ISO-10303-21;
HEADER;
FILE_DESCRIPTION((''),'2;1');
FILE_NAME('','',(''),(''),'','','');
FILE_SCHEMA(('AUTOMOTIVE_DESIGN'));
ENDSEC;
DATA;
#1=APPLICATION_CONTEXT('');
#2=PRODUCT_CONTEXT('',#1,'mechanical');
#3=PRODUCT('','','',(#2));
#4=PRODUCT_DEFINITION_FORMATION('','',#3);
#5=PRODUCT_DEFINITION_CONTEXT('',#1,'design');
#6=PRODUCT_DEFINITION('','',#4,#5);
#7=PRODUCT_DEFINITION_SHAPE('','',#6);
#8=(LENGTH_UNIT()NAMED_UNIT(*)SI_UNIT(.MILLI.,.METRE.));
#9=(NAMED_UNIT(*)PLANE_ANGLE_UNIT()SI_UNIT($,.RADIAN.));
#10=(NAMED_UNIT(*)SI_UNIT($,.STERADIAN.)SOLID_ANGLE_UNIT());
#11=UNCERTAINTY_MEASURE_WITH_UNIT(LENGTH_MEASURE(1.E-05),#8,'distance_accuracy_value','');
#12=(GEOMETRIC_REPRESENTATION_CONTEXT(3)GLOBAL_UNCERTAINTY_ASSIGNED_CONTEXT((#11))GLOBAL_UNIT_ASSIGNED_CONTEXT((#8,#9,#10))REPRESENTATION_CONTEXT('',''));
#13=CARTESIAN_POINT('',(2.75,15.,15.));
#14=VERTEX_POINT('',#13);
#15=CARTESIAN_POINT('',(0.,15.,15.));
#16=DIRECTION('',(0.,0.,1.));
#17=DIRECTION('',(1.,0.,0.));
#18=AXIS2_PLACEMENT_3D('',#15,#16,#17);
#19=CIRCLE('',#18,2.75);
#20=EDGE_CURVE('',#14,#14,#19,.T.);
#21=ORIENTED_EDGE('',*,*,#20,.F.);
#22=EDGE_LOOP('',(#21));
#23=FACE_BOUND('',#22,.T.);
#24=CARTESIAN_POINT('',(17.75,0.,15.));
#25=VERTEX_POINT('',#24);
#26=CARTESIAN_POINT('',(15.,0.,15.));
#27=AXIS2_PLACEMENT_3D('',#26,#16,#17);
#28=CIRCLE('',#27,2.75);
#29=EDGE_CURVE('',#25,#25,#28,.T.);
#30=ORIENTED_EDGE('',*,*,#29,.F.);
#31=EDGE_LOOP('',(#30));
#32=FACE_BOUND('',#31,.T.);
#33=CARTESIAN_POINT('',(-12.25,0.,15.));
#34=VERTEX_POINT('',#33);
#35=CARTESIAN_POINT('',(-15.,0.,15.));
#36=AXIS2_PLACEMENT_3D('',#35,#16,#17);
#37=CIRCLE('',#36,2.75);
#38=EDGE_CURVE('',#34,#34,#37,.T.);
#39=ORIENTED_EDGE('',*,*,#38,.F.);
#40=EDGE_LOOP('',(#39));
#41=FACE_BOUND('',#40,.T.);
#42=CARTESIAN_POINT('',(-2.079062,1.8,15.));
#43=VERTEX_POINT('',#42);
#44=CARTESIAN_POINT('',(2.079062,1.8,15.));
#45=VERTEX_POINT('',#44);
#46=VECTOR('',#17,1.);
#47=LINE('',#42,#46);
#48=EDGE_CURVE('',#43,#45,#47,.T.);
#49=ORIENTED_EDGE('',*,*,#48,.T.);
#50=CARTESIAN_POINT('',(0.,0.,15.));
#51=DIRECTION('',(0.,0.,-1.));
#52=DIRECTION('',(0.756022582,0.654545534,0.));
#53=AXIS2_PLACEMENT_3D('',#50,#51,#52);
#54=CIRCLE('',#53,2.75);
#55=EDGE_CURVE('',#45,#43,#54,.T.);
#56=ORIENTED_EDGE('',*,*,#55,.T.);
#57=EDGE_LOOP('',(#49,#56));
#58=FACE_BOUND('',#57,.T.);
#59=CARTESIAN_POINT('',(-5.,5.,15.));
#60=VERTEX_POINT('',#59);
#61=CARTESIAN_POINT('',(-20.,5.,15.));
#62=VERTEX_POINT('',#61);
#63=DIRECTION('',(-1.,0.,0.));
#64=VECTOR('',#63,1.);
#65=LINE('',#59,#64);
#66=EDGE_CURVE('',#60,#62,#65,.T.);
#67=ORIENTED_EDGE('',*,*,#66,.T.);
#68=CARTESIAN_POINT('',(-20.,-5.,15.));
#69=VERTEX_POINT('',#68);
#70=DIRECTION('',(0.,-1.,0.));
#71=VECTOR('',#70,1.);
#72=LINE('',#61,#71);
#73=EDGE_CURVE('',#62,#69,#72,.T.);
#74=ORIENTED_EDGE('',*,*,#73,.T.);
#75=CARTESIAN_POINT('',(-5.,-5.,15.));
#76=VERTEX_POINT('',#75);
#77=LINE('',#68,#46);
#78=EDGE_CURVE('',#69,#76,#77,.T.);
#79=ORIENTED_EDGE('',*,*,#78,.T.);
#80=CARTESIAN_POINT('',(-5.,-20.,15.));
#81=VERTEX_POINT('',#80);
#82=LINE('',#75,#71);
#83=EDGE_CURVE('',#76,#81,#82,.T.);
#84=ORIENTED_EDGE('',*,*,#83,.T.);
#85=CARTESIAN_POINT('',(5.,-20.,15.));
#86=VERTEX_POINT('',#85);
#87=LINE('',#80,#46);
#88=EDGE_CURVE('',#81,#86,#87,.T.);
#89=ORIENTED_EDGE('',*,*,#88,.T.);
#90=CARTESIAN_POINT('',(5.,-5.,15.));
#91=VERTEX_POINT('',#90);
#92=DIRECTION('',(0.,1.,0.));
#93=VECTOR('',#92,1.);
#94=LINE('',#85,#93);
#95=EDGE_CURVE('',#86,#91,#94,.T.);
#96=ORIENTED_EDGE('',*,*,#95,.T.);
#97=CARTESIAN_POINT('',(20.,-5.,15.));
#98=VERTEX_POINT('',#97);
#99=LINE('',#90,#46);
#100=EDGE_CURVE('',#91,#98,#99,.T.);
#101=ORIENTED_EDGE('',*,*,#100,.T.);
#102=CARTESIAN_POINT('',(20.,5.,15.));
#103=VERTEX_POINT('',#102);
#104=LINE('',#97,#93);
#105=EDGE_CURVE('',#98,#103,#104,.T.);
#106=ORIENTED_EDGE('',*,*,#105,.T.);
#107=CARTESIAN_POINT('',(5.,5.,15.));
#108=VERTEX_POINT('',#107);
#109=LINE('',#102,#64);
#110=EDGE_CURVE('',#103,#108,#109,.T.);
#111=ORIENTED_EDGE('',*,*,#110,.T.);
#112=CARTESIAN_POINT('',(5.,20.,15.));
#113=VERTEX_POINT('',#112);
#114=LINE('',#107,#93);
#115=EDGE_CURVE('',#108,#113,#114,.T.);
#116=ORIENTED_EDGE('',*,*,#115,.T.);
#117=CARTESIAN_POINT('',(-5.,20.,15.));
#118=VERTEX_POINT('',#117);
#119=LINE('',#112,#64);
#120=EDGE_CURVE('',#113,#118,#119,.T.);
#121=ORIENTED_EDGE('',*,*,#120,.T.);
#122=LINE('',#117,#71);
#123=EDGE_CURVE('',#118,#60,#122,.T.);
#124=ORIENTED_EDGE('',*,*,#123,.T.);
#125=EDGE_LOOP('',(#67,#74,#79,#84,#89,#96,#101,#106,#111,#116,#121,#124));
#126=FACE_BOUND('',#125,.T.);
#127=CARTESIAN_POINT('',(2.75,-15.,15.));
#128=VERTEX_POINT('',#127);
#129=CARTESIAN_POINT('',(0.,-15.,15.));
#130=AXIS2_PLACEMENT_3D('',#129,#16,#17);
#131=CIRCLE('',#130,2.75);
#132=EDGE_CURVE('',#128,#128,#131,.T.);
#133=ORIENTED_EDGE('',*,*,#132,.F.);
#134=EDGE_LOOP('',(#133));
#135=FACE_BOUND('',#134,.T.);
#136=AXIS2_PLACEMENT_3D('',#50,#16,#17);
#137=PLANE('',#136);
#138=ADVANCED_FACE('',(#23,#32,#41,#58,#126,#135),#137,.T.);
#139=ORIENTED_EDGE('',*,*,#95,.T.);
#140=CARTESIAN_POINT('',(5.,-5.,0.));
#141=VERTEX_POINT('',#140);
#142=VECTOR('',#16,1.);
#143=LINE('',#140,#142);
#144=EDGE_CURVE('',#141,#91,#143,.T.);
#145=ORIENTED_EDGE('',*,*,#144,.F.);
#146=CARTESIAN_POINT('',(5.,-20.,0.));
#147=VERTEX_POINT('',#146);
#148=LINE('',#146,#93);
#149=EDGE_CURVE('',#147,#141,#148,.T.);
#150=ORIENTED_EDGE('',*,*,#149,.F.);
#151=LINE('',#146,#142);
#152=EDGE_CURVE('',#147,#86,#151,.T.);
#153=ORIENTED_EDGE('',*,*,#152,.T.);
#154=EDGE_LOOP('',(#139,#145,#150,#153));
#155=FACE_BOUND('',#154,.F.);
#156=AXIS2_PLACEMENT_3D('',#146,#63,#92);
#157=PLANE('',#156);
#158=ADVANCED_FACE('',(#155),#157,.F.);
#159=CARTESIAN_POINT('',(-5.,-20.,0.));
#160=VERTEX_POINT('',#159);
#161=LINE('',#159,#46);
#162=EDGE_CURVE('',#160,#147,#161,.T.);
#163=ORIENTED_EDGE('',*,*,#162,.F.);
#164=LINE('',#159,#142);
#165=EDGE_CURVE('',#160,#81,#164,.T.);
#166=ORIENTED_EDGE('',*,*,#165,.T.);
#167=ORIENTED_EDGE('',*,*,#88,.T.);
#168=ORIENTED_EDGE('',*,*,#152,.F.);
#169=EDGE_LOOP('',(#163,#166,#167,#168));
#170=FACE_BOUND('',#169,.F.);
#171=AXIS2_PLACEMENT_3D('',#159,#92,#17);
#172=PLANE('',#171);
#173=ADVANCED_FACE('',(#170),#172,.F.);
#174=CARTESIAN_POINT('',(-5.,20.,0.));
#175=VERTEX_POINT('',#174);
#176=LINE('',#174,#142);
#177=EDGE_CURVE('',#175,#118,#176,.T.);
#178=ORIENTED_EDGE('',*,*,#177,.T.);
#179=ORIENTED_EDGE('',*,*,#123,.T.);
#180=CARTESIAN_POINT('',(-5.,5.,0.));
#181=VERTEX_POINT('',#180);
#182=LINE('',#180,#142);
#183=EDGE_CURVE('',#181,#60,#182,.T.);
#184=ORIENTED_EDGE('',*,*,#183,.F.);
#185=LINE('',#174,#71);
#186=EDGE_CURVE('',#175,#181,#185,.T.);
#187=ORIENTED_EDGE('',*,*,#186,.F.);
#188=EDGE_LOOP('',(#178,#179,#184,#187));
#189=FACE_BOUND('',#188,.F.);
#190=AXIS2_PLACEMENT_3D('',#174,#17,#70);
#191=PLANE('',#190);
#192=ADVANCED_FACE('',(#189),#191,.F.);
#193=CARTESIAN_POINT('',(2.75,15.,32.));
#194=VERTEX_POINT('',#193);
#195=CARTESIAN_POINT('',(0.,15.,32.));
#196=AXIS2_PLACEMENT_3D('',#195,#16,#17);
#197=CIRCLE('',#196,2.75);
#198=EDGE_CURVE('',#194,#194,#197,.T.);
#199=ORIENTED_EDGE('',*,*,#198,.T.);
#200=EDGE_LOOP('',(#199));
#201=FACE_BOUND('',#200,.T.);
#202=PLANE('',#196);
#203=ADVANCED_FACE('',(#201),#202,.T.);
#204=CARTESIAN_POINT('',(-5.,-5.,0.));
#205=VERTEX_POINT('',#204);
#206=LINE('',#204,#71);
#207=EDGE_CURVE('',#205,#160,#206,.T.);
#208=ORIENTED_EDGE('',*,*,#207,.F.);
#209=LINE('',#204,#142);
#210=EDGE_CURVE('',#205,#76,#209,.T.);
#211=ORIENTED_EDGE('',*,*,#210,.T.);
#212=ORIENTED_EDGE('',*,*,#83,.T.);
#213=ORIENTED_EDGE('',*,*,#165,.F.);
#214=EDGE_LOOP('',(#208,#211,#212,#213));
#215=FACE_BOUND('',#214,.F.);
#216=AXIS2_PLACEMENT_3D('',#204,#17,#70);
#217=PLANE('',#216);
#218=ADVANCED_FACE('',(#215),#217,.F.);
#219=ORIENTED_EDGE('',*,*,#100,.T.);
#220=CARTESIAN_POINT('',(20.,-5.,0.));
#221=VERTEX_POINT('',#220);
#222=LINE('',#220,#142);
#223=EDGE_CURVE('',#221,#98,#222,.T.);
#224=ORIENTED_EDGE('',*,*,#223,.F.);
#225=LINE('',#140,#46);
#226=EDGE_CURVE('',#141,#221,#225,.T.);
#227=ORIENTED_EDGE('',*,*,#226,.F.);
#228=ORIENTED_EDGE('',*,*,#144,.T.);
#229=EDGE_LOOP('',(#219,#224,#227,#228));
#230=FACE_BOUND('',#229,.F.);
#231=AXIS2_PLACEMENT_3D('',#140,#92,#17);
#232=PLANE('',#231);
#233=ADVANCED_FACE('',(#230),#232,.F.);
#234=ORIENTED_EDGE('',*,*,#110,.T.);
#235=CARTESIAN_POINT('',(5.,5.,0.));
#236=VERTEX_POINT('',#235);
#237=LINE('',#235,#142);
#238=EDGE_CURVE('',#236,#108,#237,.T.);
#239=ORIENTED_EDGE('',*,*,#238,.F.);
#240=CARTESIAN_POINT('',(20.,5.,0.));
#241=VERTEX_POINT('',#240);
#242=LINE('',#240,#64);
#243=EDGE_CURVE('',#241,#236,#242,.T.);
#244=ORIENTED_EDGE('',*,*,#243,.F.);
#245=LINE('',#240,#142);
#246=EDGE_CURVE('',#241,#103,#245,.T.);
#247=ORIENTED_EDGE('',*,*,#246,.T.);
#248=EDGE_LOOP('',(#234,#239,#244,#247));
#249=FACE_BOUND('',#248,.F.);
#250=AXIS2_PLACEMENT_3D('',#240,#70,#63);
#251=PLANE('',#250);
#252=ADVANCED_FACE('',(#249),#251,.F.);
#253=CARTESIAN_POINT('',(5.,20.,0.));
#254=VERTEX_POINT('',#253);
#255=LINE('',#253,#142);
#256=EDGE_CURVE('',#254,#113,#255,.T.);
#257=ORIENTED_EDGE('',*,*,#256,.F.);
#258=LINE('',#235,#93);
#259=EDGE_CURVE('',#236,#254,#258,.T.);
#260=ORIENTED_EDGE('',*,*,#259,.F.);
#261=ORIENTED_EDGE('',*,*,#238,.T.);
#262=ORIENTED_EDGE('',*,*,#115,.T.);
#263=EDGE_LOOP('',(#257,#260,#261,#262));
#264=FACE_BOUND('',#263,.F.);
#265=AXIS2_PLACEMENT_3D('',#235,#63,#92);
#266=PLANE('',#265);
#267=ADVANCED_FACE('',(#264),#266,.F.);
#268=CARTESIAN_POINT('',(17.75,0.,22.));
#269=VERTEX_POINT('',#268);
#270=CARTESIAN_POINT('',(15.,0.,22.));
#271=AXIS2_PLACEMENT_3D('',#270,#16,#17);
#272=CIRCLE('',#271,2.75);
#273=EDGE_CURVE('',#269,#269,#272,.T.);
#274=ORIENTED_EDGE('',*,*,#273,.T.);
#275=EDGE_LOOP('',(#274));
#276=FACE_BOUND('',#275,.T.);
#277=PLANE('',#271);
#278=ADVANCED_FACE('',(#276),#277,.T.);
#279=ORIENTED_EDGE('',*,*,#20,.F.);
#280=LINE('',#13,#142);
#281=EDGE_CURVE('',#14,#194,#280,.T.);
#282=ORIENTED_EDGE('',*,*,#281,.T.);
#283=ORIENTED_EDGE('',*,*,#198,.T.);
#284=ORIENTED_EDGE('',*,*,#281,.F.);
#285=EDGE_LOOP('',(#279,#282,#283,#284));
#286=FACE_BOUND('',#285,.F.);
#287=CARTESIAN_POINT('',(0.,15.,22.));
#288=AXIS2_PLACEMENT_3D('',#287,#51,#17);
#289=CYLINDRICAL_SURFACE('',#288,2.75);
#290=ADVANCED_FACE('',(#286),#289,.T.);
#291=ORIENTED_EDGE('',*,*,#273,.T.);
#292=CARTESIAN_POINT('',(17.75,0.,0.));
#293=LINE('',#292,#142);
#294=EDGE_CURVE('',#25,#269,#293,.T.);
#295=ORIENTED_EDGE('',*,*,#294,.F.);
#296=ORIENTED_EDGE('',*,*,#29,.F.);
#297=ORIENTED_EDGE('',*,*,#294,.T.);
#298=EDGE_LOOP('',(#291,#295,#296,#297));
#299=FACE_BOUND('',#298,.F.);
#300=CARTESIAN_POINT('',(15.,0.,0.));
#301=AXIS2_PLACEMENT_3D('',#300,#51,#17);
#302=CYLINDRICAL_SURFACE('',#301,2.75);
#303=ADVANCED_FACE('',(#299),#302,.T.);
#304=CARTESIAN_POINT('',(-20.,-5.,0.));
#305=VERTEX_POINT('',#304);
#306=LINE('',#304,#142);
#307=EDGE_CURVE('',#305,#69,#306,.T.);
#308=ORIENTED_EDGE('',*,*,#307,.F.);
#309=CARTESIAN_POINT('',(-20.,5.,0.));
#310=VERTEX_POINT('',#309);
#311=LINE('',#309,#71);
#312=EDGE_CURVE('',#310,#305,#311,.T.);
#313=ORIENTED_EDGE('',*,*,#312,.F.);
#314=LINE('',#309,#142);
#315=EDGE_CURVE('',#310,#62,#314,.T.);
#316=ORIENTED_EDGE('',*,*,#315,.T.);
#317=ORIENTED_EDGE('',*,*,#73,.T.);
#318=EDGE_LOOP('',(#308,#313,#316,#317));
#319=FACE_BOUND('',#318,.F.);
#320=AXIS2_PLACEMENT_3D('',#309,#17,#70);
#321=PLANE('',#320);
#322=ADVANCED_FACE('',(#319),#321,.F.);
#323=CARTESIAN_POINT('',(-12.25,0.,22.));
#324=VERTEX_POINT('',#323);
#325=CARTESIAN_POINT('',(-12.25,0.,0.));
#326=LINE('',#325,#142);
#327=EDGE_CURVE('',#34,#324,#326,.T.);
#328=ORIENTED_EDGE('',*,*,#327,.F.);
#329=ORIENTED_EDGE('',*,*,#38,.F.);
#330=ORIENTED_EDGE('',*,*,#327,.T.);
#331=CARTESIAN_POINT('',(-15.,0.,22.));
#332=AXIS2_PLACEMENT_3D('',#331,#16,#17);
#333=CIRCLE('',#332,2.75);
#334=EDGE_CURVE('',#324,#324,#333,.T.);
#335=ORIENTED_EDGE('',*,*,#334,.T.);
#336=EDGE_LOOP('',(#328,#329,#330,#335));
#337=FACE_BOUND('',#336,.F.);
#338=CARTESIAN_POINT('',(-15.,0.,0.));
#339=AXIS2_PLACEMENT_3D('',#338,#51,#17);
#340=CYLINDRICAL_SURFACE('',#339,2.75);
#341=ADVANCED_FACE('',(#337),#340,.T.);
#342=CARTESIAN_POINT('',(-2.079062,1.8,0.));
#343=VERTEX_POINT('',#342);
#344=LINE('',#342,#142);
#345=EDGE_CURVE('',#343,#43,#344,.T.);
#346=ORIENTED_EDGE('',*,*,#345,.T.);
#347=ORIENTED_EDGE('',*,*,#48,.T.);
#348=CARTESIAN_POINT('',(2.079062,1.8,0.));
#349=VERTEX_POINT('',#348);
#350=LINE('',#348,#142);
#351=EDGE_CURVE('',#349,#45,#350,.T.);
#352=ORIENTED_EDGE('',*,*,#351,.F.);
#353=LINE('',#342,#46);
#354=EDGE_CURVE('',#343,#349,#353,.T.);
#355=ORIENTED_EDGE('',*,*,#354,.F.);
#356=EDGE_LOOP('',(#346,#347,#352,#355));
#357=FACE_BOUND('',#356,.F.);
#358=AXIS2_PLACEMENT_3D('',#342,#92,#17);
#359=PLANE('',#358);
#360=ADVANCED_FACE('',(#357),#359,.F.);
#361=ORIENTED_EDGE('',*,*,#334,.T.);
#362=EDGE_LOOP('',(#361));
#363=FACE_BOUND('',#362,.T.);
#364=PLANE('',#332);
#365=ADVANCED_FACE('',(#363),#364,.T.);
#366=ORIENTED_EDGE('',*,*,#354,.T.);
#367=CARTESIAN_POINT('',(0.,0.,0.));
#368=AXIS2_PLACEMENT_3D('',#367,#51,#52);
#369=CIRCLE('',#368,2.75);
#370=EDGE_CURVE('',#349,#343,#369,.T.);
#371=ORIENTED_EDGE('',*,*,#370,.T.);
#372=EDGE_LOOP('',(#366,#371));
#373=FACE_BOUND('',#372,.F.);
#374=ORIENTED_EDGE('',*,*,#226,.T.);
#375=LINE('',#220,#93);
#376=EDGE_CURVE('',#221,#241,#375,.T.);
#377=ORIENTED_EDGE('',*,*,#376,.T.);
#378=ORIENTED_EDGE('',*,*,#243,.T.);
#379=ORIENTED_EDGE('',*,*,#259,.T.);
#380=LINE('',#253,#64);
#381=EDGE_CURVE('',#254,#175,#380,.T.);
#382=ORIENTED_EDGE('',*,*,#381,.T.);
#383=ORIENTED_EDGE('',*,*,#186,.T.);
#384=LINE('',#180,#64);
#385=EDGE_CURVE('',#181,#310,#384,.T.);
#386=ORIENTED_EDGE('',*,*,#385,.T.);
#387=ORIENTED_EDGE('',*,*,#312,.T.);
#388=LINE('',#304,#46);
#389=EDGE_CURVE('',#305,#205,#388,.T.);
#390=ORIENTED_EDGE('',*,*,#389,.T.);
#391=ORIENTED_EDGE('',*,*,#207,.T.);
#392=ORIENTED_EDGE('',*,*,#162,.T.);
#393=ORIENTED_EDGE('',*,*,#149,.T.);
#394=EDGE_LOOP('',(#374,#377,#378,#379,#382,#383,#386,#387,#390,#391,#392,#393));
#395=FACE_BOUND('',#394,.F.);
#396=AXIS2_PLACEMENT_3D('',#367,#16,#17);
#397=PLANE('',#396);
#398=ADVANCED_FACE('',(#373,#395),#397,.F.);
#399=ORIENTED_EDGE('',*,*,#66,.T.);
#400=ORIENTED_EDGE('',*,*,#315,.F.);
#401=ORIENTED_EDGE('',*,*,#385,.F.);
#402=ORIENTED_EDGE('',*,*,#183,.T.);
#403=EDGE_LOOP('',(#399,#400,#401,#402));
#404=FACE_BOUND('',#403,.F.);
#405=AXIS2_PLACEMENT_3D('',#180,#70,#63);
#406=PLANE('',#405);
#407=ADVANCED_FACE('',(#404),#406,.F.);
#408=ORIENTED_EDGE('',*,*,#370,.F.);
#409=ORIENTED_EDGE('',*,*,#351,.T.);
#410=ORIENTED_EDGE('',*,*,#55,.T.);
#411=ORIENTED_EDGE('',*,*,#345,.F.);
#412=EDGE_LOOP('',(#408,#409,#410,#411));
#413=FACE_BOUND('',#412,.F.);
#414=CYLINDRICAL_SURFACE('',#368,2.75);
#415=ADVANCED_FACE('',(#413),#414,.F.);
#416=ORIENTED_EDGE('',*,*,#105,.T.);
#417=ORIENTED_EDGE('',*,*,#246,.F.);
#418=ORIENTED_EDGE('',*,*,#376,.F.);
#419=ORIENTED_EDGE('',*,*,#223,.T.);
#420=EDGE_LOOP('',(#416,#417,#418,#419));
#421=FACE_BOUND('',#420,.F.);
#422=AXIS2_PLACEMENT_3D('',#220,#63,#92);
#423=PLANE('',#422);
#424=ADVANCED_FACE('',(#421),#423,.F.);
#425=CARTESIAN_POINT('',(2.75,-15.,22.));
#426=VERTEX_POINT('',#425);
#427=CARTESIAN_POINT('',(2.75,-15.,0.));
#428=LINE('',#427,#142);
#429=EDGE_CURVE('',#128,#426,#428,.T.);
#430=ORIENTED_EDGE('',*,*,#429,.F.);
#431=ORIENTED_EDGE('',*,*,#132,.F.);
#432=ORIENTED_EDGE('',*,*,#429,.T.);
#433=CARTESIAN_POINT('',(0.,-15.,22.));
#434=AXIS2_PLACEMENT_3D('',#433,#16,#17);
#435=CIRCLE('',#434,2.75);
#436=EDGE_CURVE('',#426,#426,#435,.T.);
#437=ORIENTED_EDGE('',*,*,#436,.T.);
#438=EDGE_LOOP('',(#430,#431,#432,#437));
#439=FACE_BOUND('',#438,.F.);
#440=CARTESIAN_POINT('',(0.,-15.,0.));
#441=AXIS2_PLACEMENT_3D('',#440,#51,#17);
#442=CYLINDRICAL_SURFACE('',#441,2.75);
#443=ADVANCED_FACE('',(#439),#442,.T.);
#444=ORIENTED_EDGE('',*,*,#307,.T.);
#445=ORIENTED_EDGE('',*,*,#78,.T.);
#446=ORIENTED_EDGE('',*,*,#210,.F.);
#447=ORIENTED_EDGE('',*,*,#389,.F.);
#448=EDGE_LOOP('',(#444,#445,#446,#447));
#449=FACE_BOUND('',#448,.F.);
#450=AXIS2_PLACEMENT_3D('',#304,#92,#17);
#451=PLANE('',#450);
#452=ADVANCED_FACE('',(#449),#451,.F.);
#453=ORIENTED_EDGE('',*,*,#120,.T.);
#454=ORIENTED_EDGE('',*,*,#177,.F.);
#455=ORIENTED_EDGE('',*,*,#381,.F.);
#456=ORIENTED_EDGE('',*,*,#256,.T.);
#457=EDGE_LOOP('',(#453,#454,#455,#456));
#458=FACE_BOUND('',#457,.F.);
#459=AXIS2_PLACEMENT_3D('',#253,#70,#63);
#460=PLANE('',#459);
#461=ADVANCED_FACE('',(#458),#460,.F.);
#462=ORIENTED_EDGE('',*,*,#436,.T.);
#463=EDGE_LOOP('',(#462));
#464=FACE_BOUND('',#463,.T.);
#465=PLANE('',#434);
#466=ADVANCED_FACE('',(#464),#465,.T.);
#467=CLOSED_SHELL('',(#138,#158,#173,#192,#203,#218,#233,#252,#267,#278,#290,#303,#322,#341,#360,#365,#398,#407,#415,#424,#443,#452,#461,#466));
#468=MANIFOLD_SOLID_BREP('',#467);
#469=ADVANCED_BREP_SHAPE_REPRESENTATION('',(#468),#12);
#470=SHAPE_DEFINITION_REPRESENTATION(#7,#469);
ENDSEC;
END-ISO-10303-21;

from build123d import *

# Parameters (mm, degrees)
F0_R     = 2.75
F1_DEPTH = 15
F2_R     = 2.75
F3_DEPTH = 22
F4_R     = 2.75
F5_DEPTH = 10


with BuildPart() as f1:
    # F0 (on Top) → F1 (new body)
    with BuildSketch(Plane.XY):
        Polygon((20, -5), (20, 5), (5, 5), (5, 20), (-5, 20), (-5, 5), (-20, 5), (-20, -5), (-5, -5), (-5, -20), (5, -20), (5, -5), align=None)
        with Locations((0, -15)):
            Circle(F0_R, mode=Mode.SUBTRACT)
        with BuildLine():
            ThreePointArc((2.079062, 1.8), (0, -2.75), (-2.079062, 1.8))
            Line((-2.079062, 1.8), (2.079062, 1.8))
        make_face(mode=Mode.SUBTRACT)
        with Locations((-15, 0)):
            Circle(F0_R, mode=Mode.SUBTRACT)
        with Locations((15, 0)):
            Circle(F0_R, mode=Mode.SUBTRACT)
        with Locations((0, 15)):
            Circle(F0_R, mode=Mode.SUBTRACT)
    extrude(amount=F1_DEPTH)

    # F2 (on Top) → F3 (join)
    with BuildSketch(Plane.XY):
        with Locations((0, 15)):
            Circle(F2_R)
        with Locations((15, 0)):
            Circle(F2_R)
        with Locations((0, -15)):
            Circle(F2_R)
        with Locations((-15, 0)):
            Circle(F2_R)
    extrude(amount=F3_DEPTH)

    # F4 (on face) → F5 (join)
    with BuildSketch(Plane.XY.offset(22)):
        with Locations((0, 15)):
            Circle(F4_R)
    extrude(amount=F5_DEPTH)


solid = f1.part
